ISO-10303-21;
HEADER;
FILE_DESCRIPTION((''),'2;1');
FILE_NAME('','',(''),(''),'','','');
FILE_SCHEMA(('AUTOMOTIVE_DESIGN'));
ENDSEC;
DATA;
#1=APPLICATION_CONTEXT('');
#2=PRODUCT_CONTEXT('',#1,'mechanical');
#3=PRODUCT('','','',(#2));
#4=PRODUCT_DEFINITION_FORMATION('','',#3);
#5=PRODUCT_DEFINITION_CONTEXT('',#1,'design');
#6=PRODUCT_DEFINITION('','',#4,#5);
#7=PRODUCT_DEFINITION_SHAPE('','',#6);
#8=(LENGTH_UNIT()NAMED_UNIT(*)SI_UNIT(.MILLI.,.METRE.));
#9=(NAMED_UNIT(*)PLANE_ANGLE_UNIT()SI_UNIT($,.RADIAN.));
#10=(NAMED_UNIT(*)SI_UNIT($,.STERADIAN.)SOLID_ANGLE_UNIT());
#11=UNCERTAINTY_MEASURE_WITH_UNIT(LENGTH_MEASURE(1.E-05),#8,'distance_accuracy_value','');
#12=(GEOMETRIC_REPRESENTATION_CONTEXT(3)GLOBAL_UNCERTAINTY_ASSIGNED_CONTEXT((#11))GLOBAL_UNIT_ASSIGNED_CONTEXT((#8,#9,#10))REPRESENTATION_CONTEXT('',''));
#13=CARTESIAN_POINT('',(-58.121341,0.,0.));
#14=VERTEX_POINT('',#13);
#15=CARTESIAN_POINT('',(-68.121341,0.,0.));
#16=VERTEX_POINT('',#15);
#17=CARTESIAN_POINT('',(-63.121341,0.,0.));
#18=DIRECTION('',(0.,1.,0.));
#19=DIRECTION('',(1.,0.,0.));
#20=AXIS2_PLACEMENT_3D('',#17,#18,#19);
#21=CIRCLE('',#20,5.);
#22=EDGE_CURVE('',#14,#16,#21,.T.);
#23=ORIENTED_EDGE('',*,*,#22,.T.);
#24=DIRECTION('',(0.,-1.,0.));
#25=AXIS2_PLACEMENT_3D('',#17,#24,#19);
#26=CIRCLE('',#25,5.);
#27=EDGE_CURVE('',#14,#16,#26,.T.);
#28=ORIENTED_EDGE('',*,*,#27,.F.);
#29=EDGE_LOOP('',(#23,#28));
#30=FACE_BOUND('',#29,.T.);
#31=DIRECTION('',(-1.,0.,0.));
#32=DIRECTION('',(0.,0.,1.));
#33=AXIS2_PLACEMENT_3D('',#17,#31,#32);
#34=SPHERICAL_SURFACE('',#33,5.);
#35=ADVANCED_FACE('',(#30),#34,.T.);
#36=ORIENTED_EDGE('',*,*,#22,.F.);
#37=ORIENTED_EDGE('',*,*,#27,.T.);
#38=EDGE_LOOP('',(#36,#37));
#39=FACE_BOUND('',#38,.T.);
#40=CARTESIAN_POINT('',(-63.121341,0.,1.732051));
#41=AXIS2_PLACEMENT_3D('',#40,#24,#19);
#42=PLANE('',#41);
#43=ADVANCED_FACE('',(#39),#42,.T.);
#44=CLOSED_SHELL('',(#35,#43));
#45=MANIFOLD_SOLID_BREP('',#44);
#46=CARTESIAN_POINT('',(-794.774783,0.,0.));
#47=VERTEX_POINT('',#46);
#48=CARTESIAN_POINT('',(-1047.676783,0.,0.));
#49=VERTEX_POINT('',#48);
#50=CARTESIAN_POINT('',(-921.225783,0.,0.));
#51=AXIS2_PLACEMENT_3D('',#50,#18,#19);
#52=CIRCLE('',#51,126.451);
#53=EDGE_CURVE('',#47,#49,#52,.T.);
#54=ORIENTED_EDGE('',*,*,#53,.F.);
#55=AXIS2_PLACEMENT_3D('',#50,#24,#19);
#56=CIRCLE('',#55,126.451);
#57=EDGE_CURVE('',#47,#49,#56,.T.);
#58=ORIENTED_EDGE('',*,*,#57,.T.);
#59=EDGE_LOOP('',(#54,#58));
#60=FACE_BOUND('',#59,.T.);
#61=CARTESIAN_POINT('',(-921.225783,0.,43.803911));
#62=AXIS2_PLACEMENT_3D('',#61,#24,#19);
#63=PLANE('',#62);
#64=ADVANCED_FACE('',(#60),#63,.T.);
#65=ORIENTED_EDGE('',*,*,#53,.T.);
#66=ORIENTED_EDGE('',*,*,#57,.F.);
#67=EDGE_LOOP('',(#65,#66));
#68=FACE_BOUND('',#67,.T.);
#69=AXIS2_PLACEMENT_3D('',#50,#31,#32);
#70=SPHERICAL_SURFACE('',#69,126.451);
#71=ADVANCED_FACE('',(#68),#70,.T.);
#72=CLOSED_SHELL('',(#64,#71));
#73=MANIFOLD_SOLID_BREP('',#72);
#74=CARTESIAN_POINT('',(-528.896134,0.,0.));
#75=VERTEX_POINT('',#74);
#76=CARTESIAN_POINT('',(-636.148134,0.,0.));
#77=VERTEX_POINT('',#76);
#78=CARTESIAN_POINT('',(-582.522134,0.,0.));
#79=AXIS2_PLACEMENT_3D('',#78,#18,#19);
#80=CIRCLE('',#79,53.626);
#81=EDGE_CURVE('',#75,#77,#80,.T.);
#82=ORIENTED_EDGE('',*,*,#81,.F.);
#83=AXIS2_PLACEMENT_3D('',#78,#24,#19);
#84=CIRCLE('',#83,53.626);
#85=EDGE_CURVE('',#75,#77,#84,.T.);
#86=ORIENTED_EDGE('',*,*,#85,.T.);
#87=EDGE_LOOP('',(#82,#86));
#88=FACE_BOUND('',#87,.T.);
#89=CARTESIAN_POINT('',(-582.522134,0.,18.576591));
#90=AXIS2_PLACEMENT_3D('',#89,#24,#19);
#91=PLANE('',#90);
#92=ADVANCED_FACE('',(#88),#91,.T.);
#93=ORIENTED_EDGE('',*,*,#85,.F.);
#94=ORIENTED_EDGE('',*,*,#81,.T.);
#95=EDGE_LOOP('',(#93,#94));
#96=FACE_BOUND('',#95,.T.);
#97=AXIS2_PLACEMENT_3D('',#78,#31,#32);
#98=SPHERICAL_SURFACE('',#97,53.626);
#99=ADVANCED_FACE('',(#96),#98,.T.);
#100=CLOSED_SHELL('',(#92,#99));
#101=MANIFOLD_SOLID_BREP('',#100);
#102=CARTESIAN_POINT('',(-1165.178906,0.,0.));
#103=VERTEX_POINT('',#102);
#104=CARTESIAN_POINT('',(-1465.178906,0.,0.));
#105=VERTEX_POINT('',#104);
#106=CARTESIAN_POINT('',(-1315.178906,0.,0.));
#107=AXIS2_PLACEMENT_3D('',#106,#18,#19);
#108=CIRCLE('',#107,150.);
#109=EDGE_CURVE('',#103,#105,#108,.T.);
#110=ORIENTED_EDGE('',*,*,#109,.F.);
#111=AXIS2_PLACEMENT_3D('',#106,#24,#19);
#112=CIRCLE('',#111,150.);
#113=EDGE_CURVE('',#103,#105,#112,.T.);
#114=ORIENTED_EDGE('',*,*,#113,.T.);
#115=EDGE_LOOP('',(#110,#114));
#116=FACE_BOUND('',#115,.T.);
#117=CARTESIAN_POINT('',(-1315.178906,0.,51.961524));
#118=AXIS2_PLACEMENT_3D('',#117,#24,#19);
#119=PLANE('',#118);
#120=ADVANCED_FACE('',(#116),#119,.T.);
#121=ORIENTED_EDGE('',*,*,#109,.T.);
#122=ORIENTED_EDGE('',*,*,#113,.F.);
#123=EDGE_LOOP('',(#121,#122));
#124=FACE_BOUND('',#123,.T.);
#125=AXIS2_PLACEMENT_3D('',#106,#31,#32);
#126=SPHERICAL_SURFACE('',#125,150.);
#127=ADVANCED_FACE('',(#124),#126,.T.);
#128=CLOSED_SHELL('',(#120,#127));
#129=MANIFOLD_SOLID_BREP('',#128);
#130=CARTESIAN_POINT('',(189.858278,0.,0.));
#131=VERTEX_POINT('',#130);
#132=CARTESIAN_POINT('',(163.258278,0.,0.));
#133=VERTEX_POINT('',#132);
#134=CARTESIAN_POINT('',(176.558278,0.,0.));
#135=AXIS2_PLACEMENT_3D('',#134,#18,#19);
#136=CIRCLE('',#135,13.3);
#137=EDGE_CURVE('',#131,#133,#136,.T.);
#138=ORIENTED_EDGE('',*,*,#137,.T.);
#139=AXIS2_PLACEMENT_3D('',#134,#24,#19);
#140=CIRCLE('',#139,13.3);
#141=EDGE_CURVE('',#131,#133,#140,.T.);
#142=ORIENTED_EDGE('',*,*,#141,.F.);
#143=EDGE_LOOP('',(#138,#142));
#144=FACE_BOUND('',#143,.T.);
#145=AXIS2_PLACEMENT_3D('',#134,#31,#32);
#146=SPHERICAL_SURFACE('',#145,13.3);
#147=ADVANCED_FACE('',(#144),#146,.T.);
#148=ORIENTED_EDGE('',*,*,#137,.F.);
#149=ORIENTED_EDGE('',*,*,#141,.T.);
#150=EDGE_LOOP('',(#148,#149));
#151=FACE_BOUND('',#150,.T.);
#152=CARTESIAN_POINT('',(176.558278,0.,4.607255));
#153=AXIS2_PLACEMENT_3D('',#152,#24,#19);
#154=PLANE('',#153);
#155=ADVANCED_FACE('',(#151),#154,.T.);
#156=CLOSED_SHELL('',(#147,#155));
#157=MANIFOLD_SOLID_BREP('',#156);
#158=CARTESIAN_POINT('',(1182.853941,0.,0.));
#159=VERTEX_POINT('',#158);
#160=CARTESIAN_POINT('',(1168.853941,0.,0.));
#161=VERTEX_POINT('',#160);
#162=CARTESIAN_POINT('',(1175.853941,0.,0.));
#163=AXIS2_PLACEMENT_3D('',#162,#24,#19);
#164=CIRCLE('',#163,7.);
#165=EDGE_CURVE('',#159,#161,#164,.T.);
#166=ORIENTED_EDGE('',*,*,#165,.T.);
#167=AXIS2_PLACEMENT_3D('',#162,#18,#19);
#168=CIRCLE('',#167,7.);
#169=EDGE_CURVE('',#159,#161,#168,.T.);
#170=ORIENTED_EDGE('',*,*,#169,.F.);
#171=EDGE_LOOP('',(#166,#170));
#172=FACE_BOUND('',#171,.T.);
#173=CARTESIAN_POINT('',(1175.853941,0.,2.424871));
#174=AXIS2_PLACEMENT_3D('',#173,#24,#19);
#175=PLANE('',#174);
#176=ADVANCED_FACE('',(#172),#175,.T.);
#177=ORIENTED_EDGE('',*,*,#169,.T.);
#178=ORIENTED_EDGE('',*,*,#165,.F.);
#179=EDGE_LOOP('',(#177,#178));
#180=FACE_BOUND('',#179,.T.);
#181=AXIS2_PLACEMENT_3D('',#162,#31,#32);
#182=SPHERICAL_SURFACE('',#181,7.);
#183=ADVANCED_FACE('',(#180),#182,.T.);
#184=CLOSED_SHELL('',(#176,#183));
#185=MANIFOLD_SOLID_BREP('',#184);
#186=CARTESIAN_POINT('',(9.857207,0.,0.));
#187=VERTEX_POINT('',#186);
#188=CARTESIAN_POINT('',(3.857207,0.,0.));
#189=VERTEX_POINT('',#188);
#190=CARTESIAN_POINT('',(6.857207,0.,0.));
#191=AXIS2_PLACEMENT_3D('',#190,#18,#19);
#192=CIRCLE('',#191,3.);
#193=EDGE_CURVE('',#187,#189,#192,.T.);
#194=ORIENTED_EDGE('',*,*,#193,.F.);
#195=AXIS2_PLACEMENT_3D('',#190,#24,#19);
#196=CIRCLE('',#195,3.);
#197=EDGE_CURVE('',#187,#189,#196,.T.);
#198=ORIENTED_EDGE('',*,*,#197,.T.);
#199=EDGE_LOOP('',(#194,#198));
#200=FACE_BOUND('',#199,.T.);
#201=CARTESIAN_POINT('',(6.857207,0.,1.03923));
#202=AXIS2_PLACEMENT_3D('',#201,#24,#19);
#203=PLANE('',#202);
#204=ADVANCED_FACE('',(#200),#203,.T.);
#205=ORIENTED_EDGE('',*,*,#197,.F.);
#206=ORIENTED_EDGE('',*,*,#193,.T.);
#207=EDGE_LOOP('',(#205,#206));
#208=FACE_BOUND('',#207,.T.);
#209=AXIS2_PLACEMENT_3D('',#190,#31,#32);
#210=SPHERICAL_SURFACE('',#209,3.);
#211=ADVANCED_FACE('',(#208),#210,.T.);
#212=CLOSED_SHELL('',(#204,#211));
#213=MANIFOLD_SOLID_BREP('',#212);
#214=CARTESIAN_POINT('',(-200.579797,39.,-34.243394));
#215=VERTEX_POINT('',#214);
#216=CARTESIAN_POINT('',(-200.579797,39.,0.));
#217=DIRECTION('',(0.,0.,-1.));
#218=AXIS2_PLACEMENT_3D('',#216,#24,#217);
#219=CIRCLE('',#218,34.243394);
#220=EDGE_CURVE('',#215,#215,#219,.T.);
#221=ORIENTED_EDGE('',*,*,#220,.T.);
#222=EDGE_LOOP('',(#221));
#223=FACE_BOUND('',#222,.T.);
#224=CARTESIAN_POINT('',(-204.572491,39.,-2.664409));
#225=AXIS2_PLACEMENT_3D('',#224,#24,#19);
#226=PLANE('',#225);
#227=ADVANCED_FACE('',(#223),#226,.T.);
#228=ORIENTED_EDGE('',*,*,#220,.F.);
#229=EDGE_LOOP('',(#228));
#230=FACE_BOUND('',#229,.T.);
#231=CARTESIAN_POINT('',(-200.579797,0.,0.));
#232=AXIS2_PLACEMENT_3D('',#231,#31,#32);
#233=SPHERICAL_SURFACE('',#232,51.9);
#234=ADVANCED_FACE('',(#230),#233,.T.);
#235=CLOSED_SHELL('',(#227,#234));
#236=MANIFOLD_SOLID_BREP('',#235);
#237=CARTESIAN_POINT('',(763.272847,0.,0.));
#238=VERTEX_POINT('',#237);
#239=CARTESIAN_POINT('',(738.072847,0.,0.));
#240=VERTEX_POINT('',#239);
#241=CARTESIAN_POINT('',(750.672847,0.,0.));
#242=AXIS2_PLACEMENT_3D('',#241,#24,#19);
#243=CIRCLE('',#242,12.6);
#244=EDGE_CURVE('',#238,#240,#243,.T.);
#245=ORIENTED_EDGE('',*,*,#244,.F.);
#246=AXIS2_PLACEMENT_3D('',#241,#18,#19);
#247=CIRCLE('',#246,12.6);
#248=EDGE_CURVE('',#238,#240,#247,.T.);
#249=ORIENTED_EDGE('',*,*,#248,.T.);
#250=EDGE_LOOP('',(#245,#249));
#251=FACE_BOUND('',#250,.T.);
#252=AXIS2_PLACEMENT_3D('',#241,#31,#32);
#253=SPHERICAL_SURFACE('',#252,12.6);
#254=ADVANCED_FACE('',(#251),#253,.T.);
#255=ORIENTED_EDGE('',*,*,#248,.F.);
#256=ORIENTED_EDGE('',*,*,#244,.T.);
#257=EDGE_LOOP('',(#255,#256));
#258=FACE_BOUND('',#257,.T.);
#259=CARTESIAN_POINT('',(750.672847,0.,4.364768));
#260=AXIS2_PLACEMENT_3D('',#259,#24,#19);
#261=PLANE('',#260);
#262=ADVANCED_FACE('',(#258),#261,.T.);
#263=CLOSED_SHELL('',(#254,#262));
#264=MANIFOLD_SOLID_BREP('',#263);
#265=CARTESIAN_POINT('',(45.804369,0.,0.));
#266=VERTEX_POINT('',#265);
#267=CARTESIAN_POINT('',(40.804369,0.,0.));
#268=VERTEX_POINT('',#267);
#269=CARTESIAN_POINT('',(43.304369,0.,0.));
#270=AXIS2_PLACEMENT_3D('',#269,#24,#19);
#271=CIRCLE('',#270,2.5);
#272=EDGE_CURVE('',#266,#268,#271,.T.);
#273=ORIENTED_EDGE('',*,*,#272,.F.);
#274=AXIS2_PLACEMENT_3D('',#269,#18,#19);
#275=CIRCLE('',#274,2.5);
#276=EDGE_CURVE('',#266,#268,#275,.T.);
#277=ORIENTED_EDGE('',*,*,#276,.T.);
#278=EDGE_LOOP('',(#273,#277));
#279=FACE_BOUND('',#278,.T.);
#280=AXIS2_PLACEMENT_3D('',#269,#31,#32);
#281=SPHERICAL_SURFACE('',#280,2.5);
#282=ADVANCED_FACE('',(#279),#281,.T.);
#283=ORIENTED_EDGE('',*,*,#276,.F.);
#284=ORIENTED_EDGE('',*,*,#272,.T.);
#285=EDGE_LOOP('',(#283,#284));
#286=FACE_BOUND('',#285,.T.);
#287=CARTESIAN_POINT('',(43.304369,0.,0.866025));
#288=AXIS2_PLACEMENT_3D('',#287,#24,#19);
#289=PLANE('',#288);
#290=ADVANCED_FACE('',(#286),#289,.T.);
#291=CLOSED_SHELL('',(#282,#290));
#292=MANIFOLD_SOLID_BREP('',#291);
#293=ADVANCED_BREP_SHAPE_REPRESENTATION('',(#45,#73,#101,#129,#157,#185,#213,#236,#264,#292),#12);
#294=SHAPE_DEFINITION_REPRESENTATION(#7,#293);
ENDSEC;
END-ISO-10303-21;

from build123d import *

# Parameters (mm, degrees)
F1_ANGLE = 180
F2_W     = 145.068303
F2_H     = 130.428389
F3_DEPTH = 39


with BuildPart() as f1:
    # F0 (on Front) → F1 (revolve)
    with BuildSketch(Plane.XZ):
        with BuildLine():
            Line((-1465.178906, 0), (-1165.178906, 0))
            ThreePointArc((-1165.178906, 0), (-1315.178906, 150), (-1465.178906, 0))
        make_face()
        with BuildLine():
            Line((-1047.676783, 0), (-794.774783, 0))
            ThreePointArc((-794.774783, 0), (-921.225783, 126.451), (-1047.676783, 0))
        make_face()
        with BuildLine():
            Line((-636.148134, 0), (-528.896134, 0))
            ThreePointArc((-528.896134, 0), (-582.522134, 53.626), (-636.148134, 0))
        make_face()
        with BuildLine():
            Line((-252.479797, 0), (-148.679797, 0))
            ThreePointArc((-148.679797, 0), (-200.579797, 51.9), (-252.479797, 0))
        make_face()
        with BuildLine():
            Line((163.258278, 0), (189.858278, 0))
            ThreePointArc((189.858278, 0), (176.558278, 13.3), (163.258278, 0))
        make_face()
        with BuildLine():
            Line((738.072847, 0), (763.272847, 0))
            ThreePointArc((763.272847, 0), (750.672847, 12.6), (738.072847, 0))
        make_face()
        with BuildLine():
            Line((1168.853941, 0), (1182.853941, 0))
            ThreePointArc((1182.853941, 0), (1175.853941, 7), (1168.853941, 0))
        make_face()
        with BuildLine():
            Line((-68.121341, 0), (-58.121341, 0))
            ThreePointArc((-58.121341, 0), (-63.121341, 5), (-68.121341, 0))
        make_face()
        with BuildLine():
            Line((3.857207, 0), (9.857207, 0))
            ThreePointArc((9.857207, 0), (6.857207, 3), (3.857207, 0))
        make_face()
        with BuildLine():
            Line((40.804369, 0), (45.804369, 0))
            ThreePointArc((45.804369, 0), (43.304369, 2.5), (40.804369, 0))
        make_face()
    revolve(axis=Axis((-1315.178906, 0, 0), (-1, 0, 0)), revolution_arc=F1_ANGLE)


with BuildPart() as f3:
    # F2 (on face) → F3 (new body)
    with BuildSketch(Plane.XZ):
        with Locations((-204.572491, -2.664409)):
            Rectangle(F2_W, F2_H)
    extrude(amount=-F3_DEPTH)


with BuildPart() as f1_1:
    add(f1.part)

    # F4: cut F3
    add(f3.part, mode=Mode.SUBTRACT)


solid = f1_1.part
